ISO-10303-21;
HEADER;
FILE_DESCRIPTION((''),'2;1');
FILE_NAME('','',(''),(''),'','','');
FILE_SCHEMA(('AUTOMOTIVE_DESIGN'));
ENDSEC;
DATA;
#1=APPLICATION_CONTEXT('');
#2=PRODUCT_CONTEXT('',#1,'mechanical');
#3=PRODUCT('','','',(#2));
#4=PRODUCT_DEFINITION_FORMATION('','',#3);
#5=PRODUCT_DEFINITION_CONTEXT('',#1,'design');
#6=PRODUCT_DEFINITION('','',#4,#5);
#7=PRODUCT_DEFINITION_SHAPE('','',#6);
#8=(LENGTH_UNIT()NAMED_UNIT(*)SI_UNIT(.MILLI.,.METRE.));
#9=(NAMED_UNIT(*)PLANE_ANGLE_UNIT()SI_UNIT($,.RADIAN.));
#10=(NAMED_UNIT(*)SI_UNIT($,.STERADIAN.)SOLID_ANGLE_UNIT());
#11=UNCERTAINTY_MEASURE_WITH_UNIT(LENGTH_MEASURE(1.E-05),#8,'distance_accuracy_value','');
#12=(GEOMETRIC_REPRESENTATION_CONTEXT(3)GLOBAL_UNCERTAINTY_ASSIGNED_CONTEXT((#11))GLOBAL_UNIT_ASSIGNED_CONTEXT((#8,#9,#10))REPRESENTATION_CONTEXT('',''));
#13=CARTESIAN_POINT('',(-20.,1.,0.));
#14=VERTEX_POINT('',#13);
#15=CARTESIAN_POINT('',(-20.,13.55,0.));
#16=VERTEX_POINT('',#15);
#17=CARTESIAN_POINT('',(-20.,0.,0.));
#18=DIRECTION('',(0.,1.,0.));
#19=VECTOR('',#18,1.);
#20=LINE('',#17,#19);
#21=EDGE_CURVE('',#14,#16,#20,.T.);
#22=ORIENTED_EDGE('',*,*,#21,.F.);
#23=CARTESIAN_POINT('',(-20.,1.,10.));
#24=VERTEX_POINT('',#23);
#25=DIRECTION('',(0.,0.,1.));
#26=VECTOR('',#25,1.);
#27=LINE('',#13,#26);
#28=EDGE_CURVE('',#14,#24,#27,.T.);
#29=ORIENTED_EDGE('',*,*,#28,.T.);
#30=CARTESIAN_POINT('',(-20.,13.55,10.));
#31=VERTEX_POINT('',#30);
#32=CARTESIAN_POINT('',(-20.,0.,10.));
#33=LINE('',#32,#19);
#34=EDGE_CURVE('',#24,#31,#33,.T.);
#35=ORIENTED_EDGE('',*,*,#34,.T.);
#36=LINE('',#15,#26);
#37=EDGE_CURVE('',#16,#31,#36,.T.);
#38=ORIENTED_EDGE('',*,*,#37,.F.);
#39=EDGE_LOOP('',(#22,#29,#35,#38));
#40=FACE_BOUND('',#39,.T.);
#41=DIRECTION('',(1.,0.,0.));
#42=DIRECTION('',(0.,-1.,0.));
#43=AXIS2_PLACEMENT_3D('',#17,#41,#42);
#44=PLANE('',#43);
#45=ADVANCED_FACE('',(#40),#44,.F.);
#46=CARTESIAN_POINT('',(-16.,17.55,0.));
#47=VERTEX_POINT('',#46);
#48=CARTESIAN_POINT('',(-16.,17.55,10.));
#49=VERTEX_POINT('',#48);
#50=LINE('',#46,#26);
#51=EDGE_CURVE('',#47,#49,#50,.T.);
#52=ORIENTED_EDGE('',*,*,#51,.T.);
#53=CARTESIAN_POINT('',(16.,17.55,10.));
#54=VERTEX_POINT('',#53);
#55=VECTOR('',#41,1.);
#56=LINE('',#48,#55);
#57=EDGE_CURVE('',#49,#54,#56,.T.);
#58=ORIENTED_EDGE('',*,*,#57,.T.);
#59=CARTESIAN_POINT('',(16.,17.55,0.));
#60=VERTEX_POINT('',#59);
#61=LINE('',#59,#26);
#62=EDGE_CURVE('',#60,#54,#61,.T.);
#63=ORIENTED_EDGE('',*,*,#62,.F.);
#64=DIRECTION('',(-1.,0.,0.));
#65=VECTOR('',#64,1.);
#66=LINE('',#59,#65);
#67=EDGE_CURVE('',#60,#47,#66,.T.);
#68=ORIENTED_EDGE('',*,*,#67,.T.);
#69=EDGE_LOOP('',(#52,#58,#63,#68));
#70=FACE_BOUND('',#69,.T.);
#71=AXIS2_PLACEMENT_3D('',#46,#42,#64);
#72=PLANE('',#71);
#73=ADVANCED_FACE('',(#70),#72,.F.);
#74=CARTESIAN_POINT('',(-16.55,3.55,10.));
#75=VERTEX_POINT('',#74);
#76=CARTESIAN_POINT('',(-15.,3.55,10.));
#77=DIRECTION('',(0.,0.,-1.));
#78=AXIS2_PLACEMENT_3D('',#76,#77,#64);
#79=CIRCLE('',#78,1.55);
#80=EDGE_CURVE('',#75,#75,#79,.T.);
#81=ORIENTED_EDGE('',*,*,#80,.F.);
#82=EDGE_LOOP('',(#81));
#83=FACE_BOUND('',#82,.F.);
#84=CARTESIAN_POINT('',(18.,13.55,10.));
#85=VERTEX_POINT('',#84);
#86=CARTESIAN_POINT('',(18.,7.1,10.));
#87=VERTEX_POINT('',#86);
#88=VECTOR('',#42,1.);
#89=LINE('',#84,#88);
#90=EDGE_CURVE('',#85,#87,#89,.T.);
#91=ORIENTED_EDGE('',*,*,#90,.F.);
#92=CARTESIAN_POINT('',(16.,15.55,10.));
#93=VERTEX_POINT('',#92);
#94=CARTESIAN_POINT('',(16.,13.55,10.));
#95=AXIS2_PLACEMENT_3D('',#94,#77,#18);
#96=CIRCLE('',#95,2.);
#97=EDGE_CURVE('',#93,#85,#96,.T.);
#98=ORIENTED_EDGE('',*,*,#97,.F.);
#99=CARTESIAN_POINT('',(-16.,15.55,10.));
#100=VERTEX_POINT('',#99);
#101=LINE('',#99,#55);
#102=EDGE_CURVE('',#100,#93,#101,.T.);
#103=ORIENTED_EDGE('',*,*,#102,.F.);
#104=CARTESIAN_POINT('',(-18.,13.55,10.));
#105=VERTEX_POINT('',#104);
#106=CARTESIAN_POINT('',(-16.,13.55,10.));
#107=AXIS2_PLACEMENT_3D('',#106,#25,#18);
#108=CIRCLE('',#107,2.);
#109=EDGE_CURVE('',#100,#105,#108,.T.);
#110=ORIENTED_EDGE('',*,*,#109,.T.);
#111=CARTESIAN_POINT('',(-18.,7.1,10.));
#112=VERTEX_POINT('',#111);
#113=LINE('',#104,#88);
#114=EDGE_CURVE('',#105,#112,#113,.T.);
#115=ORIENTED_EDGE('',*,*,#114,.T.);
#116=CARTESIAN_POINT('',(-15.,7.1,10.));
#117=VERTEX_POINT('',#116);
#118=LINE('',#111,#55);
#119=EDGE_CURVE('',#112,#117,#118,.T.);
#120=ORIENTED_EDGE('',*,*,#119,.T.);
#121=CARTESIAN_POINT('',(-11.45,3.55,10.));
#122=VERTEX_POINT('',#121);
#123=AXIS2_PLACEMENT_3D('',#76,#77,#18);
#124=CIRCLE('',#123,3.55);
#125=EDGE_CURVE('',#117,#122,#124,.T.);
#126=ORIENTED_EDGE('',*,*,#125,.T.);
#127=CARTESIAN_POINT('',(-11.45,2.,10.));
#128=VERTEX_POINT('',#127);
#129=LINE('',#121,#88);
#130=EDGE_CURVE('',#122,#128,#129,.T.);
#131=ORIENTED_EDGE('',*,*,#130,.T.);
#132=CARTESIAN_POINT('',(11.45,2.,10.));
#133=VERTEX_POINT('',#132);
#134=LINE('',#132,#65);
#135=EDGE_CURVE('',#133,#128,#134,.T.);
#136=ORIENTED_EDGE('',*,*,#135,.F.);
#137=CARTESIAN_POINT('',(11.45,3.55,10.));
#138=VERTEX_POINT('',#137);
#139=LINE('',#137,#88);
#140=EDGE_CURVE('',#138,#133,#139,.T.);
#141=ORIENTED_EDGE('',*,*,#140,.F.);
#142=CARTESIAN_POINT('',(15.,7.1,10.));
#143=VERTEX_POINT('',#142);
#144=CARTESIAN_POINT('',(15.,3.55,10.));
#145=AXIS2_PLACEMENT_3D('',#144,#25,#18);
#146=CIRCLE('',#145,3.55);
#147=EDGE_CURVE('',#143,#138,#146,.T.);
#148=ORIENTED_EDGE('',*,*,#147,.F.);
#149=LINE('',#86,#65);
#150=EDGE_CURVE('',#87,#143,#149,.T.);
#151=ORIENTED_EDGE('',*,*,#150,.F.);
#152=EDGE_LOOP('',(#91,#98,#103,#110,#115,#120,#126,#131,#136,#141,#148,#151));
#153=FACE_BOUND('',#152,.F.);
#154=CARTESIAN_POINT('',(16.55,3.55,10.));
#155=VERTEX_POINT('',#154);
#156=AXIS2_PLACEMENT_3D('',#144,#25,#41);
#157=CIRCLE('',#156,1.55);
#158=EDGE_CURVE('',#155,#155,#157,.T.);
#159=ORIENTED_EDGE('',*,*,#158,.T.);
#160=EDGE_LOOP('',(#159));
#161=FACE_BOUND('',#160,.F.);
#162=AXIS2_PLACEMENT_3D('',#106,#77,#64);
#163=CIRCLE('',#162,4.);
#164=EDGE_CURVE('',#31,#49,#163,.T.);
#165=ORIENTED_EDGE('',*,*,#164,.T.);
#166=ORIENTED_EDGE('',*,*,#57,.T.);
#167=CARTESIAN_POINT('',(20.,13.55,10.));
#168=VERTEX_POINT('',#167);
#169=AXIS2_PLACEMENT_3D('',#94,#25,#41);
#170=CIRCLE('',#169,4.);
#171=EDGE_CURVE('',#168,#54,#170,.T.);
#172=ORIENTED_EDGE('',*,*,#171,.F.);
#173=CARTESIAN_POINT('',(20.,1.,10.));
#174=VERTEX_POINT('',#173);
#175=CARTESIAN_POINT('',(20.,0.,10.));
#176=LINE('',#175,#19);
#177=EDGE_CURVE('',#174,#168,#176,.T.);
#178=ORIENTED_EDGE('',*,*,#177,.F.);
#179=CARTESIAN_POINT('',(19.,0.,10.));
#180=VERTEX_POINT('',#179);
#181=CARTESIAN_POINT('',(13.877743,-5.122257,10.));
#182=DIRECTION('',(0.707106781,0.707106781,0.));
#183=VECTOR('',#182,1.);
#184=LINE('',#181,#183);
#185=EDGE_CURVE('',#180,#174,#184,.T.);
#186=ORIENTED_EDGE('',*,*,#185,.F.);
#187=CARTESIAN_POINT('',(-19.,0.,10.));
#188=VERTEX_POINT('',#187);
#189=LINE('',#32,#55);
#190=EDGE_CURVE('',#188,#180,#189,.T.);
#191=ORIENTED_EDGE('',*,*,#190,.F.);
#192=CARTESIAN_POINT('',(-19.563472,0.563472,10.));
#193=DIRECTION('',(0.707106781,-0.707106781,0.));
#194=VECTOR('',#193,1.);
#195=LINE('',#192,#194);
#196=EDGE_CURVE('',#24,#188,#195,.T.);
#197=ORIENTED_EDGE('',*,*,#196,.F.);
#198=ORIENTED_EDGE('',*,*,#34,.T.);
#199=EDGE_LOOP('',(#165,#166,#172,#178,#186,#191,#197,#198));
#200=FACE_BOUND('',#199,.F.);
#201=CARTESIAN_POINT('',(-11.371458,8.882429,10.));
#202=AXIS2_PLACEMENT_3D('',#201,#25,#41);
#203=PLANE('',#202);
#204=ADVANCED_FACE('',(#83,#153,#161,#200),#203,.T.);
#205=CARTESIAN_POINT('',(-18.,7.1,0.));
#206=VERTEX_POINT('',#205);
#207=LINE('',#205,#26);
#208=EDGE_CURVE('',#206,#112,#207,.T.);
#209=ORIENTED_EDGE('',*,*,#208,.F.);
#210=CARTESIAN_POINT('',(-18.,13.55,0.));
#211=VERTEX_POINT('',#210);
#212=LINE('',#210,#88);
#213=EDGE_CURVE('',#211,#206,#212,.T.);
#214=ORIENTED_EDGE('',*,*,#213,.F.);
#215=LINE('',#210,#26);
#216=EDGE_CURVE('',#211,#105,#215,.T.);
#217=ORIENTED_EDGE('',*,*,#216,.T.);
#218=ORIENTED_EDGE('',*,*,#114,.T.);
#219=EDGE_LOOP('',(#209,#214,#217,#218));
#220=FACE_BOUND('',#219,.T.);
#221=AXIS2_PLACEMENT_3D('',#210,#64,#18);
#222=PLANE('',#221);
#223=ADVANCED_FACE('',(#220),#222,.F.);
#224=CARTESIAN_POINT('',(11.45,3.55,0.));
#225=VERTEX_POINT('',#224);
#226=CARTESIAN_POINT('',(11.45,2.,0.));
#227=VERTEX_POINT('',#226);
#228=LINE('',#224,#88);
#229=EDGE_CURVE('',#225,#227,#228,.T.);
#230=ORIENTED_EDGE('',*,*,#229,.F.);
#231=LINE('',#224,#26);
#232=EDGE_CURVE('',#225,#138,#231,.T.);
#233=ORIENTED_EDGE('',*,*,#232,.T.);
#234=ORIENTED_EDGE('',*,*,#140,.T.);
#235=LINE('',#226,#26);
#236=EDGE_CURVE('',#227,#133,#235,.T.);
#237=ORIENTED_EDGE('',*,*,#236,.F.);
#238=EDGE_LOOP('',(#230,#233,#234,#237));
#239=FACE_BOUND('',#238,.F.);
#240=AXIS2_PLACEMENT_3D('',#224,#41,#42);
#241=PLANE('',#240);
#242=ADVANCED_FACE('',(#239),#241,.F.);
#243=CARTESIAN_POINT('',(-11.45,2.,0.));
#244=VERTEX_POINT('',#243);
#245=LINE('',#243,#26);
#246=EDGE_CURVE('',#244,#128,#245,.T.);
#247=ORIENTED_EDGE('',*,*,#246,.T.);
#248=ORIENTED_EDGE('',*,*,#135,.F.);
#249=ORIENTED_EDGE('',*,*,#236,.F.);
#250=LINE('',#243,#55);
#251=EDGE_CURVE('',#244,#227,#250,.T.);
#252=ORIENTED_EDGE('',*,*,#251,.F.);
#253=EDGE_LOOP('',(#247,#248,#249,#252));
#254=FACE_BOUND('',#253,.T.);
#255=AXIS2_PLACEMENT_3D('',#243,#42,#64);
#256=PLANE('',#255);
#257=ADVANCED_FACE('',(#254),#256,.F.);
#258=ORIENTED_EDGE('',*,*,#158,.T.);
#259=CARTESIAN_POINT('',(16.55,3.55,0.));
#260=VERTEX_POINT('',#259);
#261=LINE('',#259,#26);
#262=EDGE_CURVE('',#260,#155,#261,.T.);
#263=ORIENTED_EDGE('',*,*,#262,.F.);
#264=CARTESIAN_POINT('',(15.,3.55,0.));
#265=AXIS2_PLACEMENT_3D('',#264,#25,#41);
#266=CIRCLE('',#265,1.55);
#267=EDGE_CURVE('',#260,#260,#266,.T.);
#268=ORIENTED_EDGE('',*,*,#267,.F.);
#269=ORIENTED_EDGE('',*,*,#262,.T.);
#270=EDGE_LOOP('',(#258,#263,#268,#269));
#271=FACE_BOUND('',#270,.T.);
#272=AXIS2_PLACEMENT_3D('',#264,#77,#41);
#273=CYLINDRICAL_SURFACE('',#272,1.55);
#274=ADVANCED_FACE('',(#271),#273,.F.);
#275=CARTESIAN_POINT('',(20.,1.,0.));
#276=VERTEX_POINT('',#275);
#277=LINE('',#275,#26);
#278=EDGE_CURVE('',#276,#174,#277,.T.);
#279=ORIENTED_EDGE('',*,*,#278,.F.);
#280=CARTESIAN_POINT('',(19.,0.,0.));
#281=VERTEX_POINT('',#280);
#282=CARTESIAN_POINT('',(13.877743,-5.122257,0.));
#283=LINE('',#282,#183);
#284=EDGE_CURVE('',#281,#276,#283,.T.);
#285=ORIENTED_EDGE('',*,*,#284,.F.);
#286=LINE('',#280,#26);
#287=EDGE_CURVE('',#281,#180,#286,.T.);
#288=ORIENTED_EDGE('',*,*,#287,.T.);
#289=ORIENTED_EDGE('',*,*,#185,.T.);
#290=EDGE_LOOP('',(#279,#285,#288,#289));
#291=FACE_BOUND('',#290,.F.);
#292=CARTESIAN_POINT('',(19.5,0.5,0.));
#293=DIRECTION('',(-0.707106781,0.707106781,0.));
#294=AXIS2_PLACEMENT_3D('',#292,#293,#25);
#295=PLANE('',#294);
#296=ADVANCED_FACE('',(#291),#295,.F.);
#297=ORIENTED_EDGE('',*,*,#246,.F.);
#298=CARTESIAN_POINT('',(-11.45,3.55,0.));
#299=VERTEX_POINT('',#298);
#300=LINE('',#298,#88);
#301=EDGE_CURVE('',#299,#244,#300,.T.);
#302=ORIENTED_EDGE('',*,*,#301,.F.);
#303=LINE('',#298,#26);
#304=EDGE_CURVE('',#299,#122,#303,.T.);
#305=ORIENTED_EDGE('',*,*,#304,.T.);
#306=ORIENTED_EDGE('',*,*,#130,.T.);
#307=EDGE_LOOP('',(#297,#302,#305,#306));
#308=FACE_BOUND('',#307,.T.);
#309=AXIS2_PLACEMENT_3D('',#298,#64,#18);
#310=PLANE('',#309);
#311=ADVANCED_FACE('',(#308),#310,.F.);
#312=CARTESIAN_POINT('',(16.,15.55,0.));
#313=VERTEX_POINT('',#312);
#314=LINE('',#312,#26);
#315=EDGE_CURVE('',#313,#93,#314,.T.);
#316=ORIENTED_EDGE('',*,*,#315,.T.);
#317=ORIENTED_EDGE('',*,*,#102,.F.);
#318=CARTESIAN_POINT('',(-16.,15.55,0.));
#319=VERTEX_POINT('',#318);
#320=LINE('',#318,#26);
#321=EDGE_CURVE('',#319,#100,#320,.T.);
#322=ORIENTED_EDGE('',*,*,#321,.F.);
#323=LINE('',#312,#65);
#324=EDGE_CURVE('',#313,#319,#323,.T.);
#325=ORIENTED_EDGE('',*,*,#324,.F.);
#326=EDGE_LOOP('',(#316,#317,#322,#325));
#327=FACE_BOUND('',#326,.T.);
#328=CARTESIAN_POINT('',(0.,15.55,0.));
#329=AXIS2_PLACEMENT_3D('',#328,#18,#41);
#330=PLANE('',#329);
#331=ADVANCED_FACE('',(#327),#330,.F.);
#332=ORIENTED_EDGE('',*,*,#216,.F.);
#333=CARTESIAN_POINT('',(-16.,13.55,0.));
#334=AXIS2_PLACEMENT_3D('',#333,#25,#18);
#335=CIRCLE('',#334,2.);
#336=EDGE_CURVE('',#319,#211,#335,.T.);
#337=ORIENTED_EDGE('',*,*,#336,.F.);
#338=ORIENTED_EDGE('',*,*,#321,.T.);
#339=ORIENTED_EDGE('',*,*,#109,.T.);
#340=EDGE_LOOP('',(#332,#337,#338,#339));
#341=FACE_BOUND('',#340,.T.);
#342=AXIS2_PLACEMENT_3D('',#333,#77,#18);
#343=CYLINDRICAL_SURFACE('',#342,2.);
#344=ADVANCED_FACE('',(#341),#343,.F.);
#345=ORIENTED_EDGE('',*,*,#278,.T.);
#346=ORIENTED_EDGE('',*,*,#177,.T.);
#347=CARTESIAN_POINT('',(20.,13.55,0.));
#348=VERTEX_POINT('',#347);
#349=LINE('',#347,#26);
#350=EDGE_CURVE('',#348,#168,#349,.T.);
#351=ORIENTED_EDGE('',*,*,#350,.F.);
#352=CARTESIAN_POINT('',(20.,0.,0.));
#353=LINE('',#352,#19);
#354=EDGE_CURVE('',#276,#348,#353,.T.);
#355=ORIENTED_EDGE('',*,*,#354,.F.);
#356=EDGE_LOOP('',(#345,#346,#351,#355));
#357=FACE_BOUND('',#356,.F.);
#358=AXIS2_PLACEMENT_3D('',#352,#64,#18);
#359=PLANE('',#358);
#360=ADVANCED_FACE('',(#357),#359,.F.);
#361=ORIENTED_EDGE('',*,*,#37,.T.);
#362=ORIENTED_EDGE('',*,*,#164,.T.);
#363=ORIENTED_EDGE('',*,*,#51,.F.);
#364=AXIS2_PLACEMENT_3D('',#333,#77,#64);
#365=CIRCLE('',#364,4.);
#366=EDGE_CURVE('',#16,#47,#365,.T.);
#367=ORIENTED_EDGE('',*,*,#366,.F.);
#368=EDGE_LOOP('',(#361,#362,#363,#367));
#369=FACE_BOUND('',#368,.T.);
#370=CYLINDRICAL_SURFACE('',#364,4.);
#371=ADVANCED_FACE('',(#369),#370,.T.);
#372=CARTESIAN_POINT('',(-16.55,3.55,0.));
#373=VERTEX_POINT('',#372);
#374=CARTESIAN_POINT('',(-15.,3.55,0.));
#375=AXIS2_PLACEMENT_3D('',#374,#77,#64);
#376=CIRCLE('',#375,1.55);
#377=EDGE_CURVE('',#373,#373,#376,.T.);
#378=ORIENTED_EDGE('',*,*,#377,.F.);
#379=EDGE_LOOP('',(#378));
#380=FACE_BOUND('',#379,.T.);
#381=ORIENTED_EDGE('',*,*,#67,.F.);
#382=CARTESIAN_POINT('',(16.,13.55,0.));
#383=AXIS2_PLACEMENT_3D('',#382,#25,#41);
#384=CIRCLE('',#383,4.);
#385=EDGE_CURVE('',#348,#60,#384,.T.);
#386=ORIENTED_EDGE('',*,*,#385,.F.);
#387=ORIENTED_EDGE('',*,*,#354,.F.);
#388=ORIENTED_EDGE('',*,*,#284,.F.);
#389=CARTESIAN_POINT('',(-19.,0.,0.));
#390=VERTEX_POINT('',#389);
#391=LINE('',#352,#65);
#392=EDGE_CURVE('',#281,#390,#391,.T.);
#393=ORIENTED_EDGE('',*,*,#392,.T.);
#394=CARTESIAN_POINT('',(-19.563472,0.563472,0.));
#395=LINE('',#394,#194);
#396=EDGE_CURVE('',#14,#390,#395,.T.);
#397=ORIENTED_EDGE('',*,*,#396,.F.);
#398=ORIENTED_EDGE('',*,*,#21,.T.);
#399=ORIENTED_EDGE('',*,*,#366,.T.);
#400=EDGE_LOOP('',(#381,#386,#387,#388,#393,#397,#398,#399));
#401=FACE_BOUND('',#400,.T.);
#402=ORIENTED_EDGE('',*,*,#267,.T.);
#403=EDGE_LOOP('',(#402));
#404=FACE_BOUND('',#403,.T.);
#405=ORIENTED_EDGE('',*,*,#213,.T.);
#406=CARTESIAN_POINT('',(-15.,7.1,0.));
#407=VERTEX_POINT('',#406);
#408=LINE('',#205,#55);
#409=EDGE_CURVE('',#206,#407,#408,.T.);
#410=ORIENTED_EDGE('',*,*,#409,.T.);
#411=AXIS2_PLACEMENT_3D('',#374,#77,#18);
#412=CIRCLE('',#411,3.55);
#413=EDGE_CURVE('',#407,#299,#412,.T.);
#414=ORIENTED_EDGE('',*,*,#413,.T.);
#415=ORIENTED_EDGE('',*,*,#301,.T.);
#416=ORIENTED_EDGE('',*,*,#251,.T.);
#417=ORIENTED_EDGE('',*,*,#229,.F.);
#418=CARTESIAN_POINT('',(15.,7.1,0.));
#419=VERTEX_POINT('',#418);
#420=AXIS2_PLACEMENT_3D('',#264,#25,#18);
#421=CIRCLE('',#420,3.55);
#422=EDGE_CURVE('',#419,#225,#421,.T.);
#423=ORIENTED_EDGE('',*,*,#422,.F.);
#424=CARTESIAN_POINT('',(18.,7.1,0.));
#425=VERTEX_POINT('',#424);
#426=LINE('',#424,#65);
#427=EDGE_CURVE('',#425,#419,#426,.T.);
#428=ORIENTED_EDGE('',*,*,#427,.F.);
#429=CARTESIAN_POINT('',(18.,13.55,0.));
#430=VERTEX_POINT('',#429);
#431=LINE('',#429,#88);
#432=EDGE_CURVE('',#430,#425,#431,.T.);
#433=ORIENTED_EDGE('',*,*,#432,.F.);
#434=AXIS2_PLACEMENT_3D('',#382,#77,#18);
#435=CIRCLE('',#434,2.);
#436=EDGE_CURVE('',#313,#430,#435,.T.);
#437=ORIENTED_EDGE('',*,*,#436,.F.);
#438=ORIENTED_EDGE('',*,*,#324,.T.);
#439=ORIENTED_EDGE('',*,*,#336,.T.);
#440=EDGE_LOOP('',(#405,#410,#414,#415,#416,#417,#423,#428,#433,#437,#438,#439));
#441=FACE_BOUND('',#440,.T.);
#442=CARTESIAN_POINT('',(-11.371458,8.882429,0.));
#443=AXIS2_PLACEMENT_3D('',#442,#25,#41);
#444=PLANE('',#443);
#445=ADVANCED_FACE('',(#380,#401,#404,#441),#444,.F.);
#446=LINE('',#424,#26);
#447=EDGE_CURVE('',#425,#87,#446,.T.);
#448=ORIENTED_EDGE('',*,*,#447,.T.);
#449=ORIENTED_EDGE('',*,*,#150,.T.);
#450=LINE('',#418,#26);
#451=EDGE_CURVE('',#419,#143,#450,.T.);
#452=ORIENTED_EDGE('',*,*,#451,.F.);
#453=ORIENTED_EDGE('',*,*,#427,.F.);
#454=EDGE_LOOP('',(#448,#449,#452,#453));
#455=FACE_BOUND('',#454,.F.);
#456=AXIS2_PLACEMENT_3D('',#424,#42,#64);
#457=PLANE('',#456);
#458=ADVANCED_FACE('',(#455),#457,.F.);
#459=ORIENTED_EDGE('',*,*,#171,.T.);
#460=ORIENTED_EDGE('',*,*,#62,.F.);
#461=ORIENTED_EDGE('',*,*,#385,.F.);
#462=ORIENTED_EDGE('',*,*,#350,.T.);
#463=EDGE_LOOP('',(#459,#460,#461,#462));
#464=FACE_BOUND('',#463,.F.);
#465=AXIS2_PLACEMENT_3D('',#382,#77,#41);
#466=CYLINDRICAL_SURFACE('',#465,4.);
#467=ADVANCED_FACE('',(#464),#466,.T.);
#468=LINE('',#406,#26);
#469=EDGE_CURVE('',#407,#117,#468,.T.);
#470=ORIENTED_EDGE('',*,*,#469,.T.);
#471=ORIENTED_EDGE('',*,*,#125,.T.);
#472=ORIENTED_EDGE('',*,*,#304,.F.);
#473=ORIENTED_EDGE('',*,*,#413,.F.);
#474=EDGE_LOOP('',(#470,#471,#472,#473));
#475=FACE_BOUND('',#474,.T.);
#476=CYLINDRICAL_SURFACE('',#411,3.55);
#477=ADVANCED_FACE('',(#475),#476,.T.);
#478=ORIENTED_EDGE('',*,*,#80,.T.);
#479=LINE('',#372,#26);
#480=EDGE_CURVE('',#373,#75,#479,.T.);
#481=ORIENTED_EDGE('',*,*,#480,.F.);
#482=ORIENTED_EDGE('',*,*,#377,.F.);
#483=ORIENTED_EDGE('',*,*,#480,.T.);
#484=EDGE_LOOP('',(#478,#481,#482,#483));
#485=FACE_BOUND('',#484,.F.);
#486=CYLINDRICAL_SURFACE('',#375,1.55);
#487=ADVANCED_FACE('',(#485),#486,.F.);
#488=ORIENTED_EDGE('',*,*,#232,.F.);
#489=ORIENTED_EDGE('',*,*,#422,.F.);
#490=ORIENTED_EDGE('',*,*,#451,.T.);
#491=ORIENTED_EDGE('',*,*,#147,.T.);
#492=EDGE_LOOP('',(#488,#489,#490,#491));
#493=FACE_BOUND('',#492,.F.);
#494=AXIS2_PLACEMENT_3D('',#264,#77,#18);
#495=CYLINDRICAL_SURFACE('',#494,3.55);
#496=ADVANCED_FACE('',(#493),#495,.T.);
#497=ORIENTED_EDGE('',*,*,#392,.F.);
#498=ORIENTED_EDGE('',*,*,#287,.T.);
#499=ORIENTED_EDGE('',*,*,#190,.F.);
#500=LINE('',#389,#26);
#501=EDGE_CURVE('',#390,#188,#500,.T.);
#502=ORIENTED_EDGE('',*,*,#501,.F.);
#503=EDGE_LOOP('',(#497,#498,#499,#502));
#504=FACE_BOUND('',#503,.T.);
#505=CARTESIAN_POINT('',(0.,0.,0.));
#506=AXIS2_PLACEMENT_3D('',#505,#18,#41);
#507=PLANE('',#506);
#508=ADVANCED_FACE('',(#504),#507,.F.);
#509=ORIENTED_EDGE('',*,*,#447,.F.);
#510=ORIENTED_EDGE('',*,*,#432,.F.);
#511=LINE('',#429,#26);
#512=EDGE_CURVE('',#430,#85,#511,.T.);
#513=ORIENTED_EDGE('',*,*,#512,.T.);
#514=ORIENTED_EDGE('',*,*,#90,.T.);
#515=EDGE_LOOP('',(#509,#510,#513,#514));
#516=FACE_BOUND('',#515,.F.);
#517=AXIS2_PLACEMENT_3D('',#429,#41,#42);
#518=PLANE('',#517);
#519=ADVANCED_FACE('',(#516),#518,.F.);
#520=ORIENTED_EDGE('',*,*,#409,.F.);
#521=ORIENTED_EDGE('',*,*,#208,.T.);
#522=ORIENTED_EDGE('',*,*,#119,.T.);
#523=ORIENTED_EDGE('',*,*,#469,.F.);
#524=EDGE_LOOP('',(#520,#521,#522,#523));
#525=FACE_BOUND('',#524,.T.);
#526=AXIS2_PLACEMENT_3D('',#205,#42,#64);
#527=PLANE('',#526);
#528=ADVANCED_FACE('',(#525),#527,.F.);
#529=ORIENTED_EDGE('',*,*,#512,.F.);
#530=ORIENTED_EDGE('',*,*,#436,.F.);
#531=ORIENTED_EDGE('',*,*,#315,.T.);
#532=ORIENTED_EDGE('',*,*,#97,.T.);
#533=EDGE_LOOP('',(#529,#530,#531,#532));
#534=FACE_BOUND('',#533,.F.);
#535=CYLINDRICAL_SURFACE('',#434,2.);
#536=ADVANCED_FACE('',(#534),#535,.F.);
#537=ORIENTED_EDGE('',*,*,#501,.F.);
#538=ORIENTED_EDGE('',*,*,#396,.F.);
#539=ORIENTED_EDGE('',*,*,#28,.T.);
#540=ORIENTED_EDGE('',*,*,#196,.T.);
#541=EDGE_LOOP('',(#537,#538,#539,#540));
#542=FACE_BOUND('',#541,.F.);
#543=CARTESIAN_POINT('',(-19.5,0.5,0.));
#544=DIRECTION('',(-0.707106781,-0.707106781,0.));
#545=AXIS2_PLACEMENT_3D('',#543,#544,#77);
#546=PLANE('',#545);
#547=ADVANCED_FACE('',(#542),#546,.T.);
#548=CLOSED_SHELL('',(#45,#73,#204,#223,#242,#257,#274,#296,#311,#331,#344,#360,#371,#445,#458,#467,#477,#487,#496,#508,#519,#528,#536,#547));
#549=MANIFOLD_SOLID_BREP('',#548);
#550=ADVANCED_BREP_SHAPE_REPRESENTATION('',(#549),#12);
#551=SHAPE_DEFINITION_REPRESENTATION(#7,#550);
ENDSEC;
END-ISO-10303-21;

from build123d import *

# Parameters (mm, degrees)
F0_R     = 1.55
F1_DEPTH = 10
F3_SIZE  = 1


with BuildPart() as f1:
    # F0 (on Top) → F1 (new body)
    with BuildSketch(Plane.XY):
        with BuildLine():
            Line((16, 17.55), (0, 17.55))
            Line((0, 17.55), (0, 15.55))
            Line((0, 15.55), (16, 15.55))
            ThreePointArc((16, 15.55), (17.4142135624, 14.9642135624), (18, 13.55))
            Line((18, 13.55), (18, 7.1))
            Line((18, 7.1), (15, 7.1))
            ThreePointArc((15, 7.1), (12.4897709268, 6.0602290732), (11.45, 3.55))
            Line((11.45, 3.55), (11.45, 2))
            Line((11.45, 2), (0, 2))
            Line((0, 2), (0, 0))
            Line((0, 0), (20, 0))
            Line((20, 0), (20, 13.55))
            ThreePointArc((20, 13.55), (18.8284271247, 16.3784271247), (16, 17.55))
        make_face()
        with Locations((15, 3.55)):
            Circle(F0_R, mode=Mode.SUBTRACT)
    extrude(amount=F1_DEPTH)

    # F2: F1 across face


with BuildPart() as f1_1:
    add(f1.part)
    add(f1.part.mirror(Plane(origin=(0, 16.55, 5), x_dir=(0, -1, 0), z_dir=(-1, 0, 0))))

    # F3
    f3_edges = [f1_1.edges().sort_by_distance(p)[0] for p in [
        (-20, 0, 5),
        (20, 0, 5),
    ]]
    chamfer(f3_edges, length=F3_SIZE)


solid = f1_1.part
